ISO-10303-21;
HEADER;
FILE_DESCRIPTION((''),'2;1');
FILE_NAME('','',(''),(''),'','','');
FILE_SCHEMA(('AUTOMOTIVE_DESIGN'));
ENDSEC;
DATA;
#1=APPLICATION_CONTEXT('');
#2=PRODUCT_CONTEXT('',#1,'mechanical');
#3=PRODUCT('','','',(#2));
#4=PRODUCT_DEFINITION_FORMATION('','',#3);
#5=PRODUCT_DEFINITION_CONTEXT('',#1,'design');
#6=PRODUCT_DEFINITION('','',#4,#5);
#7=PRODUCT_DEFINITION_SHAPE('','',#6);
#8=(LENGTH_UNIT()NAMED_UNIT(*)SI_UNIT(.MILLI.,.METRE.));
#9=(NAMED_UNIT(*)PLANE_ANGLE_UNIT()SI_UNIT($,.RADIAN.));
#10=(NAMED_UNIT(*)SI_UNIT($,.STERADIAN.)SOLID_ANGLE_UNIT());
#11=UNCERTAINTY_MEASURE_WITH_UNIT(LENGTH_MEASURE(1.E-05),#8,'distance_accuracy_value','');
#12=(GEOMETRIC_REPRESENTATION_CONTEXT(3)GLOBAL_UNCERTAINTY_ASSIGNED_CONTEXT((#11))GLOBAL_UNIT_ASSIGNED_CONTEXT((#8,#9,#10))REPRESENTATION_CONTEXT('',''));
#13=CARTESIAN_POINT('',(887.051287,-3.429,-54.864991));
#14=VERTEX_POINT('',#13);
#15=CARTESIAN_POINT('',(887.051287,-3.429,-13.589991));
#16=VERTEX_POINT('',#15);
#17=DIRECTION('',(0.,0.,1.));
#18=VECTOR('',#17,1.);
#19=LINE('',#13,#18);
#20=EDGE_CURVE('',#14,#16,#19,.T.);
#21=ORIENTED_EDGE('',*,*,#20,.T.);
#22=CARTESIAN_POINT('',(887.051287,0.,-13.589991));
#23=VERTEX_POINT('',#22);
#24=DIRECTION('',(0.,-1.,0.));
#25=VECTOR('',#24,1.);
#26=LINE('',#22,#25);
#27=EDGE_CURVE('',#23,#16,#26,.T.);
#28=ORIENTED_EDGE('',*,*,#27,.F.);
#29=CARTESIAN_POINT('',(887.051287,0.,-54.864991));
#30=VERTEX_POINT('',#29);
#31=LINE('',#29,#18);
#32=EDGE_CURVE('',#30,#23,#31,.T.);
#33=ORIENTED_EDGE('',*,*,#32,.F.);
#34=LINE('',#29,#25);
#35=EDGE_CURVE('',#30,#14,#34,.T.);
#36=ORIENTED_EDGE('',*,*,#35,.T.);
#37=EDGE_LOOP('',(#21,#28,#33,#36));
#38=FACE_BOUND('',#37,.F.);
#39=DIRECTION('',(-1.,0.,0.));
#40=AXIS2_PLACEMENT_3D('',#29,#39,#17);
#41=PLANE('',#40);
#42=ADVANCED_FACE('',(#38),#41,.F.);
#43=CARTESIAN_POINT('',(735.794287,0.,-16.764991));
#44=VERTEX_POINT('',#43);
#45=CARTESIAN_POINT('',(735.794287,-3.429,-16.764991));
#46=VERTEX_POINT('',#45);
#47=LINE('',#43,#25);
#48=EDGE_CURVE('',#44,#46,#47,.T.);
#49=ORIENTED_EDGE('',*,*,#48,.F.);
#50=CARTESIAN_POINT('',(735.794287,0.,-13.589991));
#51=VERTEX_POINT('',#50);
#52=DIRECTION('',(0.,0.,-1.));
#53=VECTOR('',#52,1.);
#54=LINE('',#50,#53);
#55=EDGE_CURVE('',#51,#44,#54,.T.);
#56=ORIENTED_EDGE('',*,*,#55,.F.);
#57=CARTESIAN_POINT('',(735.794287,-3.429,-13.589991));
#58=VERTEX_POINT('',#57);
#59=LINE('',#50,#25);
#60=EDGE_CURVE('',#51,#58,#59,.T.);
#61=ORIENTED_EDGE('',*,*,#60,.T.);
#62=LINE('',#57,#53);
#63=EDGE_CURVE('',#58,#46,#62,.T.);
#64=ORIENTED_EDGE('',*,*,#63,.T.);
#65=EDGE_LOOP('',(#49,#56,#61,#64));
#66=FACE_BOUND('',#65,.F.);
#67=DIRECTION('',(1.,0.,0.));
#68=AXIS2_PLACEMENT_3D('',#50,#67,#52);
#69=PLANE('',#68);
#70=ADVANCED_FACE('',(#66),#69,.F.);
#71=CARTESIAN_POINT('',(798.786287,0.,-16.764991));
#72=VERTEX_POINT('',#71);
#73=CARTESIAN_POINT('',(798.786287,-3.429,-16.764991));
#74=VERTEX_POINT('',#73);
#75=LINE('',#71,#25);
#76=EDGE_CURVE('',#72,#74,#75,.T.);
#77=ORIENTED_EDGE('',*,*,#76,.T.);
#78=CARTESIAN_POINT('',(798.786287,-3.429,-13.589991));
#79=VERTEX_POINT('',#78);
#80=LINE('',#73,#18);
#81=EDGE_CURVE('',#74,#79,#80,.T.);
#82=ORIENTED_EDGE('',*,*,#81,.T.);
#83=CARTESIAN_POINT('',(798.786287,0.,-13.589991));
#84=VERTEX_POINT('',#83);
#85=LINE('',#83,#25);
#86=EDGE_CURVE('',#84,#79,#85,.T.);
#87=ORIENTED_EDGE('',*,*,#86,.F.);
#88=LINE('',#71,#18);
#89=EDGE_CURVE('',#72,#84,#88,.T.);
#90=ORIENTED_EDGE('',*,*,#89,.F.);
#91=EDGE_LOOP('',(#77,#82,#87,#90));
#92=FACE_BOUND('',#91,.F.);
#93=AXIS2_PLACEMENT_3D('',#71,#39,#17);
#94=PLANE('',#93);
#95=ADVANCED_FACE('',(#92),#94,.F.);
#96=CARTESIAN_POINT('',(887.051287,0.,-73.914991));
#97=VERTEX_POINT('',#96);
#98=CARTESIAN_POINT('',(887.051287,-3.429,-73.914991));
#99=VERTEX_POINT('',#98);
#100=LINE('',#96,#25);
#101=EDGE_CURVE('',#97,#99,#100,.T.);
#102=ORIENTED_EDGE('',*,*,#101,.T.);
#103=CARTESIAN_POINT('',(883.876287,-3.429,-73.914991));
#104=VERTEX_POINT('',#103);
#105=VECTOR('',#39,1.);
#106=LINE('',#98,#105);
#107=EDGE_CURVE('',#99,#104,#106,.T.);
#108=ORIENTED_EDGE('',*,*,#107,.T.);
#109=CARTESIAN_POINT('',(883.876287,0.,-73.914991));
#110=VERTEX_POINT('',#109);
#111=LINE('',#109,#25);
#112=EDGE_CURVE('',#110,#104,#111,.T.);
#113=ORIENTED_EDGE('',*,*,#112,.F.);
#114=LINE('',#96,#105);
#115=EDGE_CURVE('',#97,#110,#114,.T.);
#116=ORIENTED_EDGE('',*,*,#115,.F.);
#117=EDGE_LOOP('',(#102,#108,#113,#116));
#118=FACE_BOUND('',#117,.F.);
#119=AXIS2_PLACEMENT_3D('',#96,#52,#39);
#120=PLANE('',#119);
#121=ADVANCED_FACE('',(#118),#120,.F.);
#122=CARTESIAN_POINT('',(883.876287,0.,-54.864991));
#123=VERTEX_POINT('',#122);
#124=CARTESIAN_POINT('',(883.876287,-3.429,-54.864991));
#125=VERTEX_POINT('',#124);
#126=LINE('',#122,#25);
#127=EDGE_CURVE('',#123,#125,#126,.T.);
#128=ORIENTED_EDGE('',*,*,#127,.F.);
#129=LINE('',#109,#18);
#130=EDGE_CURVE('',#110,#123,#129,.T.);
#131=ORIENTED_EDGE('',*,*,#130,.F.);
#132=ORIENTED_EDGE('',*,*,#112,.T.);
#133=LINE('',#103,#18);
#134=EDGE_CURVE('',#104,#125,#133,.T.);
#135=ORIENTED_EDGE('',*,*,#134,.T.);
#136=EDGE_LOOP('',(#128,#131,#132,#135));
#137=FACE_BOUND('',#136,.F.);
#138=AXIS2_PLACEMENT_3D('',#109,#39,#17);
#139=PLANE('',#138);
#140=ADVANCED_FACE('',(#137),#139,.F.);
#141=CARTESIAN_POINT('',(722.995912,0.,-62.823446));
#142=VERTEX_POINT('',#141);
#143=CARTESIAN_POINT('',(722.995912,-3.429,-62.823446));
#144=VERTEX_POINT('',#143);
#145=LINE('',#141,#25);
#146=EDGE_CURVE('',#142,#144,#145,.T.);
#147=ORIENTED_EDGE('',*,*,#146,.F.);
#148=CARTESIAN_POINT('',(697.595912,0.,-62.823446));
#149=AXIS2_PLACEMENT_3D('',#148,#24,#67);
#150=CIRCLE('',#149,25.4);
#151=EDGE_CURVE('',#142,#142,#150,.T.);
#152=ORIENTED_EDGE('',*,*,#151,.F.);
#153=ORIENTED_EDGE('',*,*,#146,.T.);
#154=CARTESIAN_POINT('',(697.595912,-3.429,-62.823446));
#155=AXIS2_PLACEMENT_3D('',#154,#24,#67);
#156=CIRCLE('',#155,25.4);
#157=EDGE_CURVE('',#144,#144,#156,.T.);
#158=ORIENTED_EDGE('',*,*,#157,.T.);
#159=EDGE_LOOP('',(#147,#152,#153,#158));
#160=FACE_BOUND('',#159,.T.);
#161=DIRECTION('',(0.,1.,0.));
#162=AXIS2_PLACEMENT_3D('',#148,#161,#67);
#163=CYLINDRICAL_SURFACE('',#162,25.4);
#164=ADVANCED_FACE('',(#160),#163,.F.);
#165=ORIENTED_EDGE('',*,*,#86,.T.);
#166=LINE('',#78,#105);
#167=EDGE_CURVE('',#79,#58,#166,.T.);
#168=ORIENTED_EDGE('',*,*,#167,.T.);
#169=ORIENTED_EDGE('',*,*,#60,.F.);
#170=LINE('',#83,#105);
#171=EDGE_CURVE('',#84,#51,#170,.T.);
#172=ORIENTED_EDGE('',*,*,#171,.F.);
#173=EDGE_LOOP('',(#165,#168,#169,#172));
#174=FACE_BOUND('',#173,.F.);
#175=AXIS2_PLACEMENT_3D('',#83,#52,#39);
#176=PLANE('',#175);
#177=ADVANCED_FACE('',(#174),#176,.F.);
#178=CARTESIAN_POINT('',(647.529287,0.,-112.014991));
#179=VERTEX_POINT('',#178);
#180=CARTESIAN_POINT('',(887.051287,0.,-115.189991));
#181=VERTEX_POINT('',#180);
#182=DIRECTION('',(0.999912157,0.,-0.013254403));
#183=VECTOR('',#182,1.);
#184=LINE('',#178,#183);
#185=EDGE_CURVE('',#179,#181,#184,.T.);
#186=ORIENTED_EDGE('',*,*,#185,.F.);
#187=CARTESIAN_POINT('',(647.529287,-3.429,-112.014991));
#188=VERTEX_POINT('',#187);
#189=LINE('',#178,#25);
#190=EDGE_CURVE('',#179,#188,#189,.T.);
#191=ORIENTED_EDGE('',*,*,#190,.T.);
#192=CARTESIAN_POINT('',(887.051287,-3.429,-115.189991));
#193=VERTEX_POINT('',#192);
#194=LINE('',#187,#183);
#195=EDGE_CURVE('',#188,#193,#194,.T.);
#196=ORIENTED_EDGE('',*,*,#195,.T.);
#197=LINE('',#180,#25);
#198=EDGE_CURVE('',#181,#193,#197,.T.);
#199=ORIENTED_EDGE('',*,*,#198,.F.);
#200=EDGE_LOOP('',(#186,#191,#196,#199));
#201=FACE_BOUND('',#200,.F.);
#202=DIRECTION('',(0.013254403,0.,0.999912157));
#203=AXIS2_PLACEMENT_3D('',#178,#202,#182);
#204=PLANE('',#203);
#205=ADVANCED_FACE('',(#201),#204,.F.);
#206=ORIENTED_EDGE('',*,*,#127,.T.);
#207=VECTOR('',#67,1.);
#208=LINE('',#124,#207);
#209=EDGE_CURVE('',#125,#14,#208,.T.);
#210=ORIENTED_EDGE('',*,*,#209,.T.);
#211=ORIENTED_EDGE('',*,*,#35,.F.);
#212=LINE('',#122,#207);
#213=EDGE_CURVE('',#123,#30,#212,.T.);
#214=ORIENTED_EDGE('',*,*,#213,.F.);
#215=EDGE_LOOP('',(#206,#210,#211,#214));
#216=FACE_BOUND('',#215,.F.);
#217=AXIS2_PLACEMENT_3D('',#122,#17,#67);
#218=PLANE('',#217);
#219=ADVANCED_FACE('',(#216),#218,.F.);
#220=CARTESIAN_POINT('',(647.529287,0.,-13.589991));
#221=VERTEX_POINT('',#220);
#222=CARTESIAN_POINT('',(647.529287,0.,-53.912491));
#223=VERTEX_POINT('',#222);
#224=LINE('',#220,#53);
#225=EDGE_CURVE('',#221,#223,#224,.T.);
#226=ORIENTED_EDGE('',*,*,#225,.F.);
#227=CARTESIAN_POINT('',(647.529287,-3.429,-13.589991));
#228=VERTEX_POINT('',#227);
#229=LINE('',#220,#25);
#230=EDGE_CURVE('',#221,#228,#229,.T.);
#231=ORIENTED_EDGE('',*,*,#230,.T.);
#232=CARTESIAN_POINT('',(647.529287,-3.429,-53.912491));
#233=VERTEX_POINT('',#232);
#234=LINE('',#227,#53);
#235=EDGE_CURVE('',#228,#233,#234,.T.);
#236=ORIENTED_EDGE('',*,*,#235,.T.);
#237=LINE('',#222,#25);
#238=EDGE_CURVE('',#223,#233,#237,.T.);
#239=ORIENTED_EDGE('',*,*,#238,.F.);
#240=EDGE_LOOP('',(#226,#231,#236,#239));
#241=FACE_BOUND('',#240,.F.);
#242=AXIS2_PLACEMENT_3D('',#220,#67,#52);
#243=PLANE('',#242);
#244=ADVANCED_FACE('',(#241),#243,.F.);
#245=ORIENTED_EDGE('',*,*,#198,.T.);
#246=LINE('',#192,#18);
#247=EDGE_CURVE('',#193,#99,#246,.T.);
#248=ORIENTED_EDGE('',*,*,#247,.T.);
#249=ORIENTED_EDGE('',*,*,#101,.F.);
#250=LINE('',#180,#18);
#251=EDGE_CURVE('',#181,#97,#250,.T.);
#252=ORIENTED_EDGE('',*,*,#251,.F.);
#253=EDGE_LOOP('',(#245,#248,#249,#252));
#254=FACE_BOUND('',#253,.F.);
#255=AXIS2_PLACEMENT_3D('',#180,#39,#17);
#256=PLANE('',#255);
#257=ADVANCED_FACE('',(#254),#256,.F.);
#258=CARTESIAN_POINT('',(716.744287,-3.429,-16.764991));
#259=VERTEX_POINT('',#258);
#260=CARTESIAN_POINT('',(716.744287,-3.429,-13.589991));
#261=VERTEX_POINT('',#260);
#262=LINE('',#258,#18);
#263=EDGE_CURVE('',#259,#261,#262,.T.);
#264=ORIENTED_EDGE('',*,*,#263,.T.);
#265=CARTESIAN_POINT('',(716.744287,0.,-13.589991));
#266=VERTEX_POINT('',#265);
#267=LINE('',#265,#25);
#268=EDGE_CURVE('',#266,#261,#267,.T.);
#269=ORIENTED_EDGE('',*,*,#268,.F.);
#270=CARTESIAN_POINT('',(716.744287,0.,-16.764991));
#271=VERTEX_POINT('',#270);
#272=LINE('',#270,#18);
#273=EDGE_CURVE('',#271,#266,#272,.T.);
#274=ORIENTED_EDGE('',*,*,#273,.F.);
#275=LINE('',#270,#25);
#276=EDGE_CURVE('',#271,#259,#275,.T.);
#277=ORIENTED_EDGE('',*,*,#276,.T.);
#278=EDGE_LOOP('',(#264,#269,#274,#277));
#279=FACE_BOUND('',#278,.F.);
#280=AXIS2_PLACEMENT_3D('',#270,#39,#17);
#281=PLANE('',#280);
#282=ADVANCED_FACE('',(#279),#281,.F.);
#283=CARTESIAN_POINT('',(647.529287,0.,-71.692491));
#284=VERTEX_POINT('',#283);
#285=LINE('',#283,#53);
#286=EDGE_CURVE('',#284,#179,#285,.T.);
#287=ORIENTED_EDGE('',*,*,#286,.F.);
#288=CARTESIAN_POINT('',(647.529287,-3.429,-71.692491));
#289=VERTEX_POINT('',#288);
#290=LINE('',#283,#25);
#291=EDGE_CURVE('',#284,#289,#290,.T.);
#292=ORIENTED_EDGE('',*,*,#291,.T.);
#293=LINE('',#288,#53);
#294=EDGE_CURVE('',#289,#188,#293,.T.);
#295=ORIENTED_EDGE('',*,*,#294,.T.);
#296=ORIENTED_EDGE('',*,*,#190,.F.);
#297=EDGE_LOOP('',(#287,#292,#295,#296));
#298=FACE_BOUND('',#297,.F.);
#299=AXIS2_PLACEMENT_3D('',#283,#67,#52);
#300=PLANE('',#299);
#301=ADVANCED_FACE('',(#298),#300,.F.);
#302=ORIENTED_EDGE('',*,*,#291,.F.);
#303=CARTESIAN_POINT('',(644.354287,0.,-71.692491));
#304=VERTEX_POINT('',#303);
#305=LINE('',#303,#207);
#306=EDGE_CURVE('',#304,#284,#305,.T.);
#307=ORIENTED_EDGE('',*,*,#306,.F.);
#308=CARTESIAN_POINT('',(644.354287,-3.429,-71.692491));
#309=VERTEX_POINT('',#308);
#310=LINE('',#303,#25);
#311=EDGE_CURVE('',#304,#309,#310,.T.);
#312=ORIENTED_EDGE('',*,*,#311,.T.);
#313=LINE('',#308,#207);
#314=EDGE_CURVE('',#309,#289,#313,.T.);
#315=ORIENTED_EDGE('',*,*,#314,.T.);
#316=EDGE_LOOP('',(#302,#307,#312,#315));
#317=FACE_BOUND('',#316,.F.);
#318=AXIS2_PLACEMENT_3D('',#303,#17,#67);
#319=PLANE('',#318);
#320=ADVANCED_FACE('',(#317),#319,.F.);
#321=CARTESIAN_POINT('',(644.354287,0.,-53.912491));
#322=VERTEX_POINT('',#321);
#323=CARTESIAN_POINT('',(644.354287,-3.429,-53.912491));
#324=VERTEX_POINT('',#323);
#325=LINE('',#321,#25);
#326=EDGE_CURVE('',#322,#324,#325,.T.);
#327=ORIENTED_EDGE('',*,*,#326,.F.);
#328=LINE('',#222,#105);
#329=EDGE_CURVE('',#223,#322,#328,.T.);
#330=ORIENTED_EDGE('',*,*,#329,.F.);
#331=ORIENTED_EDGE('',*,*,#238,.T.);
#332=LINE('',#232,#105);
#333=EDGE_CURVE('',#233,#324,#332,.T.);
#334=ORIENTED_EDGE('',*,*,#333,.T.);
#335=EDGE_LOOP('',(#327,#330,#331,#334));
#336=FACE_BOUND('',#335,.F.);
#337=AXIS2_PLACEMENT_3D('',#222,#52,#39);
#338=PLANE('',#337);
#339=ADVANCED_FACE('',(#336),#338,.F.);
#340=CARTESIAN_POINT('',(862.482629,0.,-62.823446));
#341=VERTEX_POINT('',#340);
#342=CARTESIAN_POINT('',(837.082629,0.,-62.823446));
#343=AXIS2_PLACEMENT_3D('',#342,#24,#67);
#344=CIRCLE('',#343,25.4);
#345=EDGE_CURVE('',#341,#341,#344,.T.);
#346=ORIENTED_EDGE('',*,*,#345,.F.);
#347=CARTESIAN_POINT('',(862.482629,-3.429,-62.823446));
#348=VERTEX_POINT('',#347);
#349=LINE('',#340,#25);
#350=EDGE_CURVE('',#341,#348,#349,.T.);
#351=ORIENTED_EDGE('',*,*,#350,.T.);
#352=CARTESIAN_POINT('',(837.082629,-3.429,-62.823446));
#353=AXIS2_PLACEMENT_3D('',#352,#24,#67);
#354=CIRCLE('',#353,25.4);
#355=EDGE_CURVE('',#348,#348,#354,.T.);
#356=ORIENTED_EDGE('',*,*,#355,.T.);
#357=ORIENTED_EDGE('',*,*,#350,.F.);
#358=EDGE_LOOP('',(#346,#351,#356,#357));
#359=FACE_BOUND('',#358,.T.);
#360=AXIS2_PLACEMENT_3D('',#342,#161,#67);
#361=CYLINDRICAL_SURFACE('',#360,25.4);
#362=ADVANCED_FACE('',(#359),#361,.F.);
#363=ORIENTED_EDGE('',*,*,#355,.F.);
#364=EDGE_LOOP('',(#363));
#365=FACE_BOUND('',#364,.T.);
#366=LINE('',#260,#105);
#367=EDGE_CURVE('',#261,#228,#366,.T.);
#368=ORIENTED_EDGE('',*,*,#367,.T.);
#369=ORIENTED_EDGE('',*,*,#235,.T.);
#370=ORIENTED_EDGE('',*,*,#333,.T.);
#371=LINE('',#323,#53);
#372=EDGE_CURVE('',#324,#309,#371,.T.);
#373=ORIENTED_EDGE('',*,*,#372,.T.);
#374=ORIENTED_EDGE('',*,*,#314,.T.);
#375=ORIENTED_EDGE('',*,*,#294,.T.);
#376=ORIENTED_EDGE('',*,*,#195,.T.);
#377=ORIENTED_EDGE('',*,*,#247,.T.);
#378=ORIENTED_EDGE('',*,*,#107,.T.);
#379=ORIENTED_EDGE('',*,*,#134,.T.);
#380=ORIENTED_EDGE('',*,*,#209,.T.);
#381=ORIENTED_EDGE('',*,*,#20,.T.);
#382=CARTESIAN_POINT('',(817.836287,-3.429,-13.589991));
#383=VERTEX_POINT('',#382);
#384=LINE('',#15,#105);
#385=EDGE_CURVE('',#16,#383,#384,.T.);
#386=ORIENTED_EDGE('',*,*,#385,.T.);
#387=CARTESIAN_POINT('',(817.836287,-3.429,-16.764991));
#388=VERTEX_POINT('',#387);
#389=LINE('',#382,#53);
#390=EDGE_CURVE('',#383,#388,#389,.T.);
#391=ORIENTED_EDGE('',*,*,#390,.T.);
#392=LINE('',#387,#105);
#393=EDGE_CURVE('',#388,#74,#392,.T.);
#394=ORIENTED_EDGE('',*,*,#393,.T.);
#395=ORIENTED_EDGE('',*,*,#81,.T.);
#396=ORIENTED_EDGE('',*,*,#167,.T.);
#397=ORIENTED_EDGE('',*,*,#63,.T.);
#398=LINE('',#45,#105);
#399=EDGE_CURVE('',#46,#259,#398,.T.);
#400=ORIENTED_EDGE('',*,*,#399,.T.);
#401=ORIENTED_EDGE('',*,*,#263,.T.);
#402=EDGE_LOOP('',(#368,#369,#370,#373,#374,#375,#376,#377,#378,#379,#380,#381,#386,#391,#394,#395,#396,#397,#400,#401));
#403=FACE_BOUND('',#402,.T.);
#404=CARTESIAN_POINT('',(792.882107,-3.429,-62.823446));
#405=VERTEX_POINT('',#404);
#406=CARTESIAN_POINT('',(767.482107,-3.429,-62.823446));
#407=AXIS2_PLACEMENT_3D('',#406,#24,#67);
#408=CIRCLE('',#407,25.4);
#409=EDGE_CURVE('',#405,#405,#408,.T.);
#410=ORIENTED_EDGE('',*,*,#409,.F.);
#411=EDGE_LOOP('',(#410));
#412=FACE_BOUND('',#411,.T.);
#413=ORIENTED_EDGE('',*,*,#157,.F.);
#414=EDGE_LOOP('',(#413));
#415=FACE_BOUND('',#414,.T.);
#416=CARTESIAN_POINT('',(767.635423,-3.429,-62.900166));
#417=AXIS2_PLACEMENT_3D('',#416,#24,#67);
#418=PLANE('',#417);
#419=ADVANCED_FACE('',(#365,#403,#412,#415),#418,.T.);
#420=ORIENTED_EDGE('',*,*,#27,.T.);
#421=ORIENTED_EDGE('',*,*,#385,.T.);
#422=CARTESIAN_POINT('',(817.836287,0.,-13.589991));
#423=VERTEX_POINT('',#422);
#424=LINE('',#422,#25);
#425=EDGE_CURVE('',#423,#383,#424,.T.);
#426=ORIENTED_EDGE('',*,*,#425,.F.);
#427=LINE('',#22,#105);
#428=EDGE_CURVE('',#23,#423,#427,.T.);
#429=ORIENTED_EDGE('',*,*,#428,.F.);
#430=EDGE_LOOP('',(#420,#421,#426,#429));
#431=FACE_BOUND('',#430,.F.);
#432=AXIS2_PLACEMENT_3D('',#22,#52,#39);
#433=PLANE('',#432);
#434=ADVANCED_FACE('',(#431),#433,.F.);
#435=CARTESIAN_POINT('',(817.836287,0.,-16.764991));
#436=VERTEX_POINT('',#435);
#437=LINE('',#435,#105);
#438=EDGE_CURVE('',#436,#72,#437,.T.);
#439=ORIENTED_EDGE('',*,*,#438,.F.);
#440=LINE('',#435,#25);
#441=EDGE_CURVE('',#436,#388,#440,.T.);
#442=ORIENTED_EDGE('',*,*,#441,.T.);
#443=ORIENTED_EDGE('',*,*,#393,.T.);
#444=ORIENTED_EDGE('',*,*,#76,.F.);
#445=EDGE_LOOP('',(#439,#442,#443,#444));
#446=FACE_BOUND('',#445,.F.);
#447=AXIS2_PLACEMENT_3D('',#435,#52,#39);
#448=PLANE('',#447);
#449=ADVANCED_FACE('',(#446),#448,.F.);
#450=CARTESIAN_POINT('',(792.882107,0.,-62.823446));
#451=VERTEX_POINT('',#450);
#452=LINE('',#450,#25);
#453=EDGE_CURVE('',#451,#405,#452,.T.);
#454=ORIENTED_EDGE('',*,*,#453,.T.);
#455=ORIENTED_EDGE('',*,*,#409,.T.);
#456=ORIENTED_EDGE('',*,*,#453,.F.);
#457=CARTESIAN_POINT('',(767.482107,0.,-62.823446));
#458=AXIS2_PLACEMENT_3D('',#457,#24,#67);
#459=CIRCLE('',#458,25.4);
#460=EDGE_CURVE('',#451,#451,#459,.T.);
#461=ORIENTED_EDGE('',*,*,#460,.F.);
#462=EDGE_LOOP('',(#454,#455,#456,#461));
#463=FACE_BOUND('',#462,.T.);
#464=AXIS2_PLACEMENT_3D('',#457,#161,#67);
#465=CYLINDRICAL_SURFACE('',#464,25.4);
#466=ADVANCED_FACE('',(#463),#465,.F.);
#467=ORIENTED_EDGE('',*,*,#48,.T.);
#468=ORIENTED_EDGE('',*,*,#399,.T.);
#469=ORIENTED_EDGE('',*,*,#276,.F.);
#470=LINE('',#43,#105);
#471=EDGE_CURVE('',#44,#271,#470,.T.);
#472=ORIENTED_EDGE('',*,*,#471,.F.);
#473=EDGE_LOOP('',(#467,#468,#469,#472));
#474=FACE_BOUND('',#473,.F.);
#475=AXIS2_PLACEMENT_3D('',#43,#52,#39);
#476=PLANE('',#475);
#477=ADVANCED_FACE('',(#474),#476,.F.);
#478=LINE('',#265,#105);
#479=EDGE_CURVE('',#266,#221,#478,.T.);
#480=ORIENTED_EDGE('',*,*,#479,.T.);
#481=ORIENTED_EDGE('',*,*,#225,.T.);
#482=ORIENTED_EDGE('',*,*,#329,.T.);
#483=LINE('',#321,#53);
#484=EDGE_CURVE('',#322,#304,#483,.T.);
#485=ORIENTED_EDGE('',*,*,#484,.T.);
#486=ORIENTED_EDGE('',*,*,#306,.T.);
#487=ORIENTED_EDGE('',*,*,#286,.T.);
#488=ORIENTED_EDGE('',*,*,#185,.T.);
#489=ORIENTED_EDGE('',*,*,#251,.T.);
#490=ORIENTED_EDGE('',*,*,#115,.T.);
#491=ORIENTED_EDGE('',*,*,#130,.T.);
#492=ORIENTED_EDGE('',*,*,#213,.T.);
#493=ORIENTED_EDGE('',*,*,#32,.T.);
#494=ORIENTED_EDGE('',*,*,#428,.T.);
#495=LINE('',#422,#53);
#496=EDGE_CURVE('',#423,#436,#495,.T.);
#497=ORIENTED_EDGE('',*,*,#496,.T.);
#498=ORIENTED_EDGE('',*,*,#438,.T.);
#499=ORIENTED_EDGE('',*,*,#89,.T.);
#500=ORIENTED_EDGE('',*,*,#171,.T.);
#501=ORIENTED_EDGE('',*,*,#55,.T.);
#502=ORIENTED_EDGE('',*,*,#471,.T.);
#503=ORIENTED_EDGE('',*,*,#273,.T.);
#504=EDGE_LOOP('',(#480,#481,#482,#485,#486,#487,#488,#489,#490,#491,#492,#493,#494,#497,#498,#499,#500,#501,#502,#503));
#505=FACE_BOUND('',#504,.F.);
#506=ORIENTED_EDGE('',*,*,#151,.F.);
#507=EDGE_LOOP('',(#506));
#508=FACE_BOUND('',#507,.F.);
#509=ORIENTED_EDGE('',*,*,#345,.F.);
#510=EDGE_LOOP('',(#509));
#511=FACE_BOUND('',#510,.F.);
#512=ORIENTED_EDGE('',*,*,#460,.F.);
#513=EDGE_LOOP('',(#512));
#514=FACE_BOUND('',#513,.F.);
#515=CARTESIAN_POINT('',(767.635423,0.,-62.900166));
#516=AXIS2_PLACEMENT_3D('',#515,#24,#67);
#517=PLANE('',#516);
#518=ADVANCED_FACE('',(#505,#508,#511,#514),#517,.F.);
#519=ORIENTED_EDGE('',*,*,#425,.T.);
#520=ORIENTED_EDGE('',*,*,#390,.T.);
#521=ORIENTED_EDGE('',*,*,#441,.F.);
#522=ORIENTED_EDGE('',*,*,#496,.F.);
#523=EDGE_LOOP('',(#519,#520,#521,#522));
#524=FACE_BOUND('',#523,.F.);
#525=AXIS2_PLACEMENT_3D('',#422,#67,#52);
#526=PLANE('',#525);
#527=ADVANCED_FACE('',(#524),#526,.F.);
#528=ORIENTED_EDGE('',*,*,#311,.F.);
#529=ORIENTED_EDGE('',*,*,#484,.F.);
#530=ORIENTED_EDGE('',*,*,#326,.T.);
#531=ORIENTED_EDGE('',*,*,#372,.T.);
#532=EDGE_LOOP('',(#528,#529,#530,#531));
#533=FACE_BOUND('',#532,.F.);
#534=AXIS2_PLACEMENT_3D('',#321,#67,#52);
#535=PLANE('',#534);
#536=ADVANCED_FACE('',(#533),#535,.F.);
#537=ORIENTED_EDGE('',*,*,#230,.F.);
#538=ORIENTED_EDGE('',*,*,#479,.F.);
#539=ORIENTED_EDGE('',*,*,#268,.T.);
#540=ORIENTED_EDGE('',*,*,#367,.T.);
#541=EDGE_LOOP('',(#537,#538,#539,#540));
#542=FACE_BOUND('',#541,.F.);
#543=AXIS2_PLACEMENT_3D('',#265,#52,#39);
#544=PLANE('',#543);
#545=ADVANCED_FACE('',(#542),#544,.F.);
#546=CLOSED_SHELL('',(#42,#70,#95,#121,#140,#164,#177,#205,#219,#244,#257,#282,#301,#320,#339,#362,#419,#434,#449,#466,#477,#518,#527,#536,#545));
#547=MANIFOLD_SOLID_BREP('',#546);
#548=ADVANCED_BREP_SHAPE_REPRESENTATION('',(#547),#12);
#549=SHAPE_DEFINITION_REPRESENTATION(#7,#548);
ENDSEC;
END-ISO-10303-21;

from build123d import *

# Parameters (mm, degrees)
F0_R     = 25.4
F1_DEPTH = 3.429


with BuildPart() as f1:
    # F0 (on Front) → F1 (new body)
    with BuildSketch(Plane.XZ):
        Polygon((644.354287, -53.912491), (644.354287, -71.692491), (647.529287, -71.692491), (647.529287, -112.014991), (887.051287, -115.189991), (887.051287, -73.914991), (883.876287, -73.914991), (883.876287, -54.864991), (887.051287, -54.864991), (887.051287, -13.589991), (817.836287, -13.589991), (817.836287, -16.764991), (798.786287, -16.764991), (798.786287, -13.589991), (735.794287, -13.589991), (735.794287, -16.764991), (716.744287, -16.764991), (716.744287, -13.589991), (647.529287, -13.589991), (647.529287, -53.912491), align=None)
        with Locations((697.595912, -62.823446)):
            Circle(F0_R, mode=Mode.SUBTRACT)
        with Locations((767.482107, -62.823446)):
            Circle(F0_R, mode=Mode.SUBTRACT)
        with Locations((837.082629, -62.823446)):
            Circle(F0_R, mode=Mode.SUBTRACT)
    extrude(amount=F1_DEPTH)


solid = f1.part
